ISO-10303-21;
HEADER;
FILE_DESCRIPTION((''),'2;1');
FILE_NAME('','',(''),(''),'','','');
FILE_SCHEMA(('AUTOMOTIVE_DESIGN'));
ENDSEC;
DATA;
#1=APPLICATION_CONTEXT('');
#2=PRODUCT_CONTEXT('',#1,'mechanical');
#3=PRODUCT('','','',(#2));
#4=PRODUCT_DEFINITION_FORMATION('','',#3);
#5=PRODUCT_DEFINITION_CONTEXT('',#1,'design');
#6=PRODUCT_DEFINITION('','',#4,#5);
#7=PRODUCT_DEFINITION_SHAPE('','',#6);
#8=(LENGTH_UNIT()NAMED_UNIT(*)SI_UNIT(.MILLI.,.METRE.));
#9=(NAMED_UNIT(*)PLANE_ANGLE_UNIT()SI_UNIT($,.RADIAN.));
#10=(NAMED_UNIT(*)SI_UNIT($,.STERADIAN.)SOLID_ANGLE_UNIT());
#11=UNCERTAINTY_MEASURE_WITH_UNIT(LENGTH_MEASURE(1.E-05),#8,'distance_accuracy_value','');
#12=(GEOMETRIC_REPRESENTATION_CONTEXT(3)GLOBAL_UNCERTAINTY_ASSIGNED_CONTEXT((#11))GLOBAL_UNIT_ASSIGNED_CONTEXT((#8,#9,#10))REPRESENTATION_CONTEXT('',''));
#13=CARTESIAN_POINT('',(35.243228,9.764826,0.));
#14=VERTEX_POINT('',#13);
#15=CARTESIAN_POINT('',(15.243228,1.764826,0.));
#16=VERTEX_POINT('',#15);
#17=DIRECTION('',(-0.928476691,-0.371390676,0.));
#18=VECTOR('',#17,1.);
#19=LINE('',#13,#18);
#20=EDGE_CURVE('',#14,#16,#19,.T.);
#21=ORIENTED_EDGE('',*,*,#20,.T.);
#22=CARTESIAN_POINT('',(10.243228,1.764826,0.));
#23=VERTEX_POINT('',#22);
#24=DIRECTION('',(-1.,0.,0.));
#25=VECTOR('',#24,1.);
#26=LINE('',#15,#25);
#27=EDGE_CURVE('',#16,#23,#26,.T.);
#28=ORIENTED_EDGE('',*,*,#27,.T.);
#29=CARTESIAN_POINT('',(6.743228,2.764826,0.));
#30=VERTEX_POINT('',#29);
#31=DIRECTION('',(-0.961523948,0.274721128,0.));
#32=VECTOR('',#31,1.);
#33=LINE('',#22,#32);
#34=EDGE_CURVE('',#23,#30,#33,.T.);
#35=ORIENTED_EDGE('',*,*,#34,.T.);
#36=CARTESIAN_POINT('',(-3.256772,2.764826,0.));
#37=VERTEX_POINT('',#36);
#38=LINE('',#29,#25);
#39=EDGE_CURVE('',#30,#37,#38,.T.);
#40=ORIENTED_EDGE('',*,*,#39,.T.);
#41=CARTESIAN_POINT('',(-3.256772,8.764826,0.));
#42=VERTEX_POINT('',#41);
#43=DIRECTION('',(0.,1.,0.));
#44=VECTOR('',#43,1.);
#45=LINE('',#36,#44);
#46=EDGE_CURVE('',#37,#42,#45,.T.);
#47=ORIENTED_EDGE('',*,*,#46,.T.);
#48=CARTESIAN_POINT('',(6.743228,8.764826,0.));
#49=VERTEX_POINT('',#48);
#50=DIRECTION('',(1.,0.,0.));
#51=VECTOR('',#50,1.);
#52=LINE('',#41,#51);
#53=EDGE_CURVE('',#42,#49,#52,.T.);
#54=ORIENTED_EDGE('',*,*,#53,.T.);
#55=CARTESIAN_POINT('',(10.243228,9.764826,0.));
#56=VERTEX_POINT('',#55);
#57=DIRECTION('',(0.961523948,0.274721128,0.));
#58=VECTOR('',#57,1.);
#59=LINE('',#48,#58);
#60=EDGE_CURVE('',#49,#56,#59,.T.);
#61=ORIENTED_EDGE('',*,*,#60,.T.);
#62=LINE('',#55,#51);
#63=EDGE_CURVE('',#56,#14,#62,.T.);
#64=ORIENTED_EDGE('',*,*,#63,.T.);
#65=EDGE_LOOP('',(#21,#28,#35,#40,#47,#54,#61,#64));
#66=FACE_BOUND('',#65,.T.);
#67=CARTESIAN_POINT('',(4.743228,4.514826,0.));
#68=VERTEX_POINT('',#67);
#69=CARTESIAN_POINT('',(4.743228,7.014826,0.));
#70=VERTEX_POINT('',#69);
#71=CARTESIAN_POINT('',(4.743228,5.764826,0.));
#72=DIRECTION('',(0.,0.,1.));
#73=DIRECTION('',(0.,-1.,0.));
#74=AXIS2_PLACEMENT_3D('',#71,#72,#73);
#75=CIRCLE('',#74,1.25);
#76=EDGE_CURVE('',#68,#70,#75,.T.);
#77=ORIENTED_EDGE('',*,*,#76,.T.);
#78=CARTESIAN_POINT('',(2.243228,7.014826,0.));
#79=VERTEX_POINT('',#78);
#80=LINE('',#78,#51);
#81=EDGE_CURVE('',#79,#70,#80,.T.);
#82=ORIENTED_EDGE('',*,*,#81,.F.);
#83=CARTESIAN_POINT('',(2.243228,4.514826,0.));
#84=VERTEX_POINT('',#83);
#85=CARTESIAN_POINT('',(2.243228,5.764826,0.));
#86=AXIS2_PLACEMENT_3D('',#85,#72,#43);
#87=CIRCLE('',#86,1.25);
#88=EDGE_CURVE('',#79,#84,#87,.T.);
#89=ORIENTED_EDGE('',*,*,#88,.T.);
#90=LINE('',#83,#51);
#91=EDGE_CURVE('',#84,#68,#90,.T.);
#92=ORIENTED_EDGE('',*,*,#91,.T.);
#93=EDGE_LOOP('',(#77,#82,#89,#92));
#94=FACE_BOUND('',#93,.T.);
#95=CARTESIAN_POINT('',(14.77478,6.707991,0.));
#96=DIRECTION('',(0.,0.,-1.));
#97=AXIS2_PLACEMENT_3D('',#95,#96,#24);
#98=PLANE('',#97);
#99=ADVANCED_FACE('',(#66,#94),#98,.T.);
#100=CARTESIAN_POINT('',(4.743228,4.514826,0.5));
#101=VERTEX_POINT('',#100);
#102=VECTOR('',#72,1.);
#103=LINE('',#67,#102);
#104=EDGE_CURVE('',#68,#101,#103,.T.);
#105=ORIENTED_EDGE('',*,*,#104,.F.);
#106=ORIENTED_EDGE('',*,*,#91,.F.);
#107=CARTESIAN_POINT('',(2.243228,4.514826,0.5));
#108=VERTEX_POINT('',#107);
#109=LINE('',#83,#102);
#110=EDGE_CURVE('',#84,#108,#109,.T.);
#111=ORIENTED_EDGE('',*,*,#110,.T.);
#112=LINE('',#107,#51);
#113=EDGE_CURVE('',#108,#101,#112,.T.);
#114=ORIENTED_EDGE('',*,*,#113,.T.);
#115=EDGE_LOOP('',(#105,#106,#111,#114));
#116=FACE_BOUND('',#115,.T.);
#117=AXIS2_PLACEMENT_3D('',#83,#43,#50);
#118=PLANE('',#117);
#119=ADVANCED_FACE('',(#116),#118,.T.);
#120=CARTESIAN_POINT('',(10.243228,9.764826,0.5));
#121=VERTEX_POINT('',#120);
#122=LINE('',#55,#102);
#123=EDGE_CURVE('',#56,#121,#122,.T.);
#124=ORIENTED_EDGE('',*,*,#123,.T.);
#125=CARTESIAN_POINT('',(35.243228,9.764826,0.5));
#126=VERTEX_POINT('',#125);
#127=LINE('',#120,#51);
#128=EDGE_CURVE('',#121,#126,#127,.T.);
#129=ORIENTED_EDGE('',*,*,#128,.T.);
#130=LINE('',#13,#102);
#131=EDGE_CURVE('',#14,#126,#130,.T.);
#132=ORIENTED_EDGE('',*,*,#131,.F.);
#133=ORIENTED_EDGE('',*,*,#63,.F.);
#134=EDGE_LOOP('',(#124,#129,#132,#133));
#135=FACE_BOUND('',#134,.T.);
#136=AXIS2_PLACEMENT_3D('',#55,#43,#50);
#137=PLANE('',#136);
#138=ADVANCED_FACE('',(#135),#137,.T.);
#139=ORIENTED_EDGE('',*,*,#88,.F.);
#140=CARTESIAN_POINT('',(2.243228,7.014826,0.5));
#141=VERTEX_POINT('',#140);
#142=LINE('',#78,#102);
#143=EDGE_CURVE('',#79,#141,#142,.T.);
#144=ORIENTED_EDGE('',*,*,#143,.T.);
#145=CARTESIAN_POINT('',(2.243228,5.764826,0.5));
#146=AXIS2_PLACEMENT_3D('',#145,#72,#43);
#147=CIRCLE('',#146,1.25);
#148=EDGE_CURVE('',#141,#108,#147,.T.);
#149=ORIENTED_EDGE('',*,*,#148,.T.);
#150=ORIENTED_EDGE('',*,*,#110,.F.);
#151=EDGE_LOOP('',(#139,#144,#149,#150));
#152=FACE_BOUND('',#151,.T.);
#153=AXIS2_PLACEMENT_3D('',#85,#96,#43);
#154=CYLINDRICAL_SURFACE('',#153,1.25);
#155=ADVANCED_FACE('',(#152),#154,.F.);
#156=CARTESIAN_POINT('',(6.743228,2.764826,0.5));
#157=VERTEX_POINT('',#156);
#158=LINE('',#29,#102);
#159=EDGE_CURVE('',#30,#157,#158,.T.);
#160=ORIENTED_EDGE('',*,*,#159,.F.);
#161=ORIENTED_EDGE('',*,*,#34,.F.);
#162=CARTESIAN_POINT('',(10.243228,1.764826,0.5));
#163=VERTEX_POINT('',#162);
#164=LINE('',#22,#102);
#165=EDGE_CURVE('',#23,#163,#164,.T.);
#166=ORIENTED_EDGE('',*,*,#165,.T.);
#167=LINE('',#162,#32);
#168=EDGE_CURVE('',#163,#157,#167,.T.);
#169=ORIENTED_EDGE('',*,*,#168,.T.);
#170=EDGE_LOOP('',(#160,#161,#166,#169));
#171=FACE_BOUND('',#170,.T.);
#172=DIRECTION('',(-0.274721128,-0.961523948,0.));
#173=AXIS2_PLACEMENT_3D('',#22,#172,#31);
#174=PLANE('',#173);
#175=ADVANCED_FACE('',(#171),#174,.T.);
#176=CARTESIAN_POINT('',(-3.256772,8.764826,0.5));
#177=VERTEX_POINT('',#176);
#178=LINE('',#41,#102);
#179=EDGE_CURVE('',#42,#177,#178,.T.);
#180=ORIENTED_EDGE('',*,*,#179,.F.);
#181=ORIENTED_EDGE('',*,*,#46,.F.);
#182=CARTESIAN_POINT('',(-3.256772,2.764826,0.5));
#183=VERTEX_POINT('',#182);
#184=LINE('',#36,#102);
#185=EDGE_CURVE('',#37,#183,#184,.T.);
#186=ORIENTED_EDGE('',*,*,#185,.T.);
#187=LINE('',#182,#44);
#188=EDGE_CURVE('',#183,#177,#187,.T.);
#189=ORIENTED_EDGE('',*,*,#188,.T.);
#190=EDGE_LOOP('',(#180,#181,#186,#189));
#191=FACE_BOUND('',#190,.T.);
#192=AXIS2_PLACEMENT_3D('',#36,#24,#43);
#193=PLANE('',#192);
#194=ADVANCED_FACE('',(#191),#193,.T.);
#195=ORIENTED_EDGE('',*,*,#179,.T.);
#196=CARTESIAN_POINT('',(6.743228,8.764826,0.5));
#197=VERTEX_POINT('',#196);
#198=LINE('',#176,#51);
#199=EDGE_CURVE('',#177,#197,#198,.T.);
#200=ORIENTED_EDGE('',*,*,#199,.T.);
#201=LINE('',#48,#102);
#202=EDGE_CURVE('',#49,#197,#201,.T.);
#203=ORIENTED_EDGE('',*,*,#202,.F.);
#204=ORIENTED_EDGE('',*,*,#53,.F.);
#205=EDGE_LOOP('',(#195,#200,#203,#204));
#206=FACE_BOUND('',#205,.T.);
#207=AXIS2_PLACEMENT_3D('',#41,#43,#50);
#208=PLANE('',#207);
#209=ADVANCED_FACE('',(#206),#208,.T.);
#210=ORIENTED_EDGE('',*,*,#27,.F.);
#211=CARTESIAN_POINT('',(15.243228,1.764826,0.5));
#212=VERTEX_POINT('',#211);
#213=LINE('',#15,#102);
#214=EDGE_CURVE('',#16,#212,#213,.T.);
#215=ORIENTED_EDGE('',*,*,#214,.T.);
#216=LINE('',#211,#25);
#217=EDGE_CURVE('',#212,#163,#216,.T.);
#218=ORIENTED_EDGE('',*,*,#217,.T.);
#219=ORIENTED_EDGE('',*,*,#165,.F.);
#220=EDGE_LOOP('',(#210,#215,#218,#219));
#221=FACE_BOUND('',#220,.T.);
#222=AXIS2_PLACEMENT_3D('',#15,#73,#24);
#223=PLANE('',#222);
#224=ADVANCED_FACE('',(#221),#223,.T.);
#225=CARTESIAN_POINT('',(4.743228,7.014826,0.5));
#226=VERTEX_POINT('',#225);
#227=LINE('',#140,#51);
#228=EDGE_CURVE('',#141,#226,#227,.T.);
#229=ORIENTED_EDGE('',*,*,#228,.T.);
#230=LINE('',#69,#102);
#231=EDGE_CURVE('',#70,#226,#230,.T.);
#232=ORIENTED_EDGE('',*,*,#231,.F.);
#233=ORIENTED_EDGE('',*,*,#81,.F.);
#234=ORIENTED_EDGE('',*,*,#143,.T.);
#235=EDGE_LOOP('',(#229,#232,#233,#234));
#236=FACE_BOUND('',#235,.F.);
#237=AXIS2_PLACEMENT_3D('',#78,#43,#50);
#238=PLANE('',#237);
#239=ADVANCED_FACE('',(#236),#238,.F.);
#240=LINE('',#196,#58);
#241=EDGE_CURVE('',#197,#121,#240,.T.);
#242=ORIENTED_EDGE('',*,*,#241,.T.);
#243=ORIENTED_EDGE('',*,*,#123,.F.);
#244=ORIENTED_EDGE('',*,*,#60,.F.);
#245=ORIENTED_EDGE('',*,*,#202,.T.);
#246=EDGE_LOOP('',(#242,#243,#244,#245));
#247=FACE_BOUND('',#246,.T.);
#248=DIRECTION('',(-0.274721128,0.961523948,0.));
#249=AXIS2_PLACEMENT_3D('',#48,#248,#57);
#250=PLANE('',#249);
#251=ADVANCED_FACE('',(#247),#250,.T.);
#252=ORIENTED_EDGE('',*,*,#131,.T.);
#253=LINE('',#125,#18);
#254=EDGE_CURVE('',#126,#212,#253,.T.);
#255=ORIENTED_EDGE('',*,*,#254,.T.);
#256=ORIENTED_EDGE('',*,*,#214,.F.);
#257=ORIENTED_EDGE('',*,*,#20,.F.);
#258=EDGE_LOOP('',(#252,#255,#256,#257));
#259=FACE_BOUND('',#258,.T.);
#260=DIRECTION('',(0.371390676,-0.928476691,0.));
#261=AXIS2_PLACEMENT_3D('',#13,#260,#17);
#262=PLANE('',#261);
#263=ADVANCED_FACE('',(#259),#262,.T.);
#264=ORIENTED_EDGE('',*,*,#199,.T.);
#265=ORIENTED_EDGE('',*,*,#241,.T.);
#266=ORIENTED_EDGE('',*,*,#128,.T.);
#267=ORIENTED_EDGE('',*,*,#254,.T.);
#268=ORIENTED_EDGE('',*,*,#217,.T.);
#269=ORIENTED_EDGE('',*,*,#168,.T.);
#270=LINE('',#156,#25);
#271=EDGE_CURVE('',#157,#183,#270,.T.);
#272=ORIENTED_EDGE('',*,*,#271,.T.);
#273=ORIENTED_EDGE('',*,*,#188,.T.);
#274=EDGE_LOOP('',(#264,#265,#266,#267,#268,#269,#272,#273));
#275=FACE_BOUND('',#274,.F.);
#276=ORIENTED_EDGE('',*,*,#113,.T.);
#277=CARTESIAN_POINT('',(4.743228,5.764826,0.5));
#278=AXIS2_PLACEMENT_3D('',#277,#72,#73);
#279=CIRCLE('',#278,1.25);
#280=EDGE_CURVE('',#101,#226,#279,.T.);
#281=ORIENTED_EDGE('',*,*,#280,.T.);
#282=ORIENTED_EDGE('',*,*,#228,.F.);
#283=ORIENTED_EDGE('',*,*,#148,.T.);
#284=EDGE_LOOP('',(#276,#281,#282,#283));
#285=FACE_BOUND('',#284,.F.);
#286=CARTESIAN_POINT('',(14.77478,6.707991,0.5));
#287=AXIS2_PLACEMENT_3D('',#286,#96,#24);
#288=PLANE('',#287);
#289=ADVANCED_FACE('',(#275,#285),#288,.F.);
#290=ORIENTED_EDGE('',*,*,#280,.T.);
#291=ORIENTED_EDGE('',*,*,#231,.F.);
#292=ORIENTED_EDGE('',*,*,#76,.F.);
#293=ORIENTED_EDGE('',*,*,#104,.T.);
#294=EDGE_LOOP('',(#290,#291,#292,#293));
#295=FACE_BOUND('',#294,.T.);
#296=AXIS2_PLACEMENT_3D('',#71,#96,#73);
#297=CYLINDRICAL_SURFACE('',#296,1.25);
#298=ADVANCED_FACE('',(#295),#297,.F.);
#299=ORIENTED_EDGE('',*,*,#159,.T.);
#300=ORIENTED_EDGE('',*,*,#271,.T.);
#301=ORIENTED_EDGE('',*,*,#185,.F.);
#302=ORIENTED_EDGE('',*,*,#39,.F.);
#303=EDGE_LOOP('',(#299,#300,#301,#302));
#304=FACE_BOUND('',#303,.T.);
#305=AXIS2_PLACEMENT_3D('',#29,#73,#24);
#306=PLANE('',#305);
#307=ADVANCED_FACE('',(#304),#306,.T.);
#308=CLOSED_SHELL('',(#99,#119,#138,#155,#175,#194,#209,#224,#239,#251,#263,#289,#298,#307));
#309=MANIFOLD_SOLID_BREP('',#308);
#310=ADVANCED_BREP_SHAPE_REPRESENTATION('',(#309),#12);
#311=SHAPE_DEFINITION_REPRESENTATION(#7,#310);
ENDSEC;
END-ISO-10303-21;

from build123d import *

# Parameters (mm, degrees)
PAD_DEPTH = 0.5


with BuildPart() as part:
    # Sketch → Pad (new body)
    with BuildSketch(Plane.XY):
        Polygon((-3.256772, 2.764826), (-3.256772, 8.764826), (6.743228, 8.764826), (10.243228, 9.764826), (35.243228, 9.764826), (15.243228, 1.764826), (10.243228, 1.764826), (6.743228, 2.764826), align=None)
        with BuildLine():
            ThreePointArc((2.243228, 7.014826), (0.993228, 5.764826), (2.243228, 4.514826))
            Line((2.243228, 4.514826), (4.743228, 4.514826))
            ThreePointArc((4.743228, 4.514826), (5.993228, 5.764826), (4.743228, 7.014826))
            Line((2.243228, 7.014826), (4.743228, 7.014826))
        make_face(mode=Mode.SUBTRACT)
    extrude(amount=PAD_DEPTH)


solid = part.part
